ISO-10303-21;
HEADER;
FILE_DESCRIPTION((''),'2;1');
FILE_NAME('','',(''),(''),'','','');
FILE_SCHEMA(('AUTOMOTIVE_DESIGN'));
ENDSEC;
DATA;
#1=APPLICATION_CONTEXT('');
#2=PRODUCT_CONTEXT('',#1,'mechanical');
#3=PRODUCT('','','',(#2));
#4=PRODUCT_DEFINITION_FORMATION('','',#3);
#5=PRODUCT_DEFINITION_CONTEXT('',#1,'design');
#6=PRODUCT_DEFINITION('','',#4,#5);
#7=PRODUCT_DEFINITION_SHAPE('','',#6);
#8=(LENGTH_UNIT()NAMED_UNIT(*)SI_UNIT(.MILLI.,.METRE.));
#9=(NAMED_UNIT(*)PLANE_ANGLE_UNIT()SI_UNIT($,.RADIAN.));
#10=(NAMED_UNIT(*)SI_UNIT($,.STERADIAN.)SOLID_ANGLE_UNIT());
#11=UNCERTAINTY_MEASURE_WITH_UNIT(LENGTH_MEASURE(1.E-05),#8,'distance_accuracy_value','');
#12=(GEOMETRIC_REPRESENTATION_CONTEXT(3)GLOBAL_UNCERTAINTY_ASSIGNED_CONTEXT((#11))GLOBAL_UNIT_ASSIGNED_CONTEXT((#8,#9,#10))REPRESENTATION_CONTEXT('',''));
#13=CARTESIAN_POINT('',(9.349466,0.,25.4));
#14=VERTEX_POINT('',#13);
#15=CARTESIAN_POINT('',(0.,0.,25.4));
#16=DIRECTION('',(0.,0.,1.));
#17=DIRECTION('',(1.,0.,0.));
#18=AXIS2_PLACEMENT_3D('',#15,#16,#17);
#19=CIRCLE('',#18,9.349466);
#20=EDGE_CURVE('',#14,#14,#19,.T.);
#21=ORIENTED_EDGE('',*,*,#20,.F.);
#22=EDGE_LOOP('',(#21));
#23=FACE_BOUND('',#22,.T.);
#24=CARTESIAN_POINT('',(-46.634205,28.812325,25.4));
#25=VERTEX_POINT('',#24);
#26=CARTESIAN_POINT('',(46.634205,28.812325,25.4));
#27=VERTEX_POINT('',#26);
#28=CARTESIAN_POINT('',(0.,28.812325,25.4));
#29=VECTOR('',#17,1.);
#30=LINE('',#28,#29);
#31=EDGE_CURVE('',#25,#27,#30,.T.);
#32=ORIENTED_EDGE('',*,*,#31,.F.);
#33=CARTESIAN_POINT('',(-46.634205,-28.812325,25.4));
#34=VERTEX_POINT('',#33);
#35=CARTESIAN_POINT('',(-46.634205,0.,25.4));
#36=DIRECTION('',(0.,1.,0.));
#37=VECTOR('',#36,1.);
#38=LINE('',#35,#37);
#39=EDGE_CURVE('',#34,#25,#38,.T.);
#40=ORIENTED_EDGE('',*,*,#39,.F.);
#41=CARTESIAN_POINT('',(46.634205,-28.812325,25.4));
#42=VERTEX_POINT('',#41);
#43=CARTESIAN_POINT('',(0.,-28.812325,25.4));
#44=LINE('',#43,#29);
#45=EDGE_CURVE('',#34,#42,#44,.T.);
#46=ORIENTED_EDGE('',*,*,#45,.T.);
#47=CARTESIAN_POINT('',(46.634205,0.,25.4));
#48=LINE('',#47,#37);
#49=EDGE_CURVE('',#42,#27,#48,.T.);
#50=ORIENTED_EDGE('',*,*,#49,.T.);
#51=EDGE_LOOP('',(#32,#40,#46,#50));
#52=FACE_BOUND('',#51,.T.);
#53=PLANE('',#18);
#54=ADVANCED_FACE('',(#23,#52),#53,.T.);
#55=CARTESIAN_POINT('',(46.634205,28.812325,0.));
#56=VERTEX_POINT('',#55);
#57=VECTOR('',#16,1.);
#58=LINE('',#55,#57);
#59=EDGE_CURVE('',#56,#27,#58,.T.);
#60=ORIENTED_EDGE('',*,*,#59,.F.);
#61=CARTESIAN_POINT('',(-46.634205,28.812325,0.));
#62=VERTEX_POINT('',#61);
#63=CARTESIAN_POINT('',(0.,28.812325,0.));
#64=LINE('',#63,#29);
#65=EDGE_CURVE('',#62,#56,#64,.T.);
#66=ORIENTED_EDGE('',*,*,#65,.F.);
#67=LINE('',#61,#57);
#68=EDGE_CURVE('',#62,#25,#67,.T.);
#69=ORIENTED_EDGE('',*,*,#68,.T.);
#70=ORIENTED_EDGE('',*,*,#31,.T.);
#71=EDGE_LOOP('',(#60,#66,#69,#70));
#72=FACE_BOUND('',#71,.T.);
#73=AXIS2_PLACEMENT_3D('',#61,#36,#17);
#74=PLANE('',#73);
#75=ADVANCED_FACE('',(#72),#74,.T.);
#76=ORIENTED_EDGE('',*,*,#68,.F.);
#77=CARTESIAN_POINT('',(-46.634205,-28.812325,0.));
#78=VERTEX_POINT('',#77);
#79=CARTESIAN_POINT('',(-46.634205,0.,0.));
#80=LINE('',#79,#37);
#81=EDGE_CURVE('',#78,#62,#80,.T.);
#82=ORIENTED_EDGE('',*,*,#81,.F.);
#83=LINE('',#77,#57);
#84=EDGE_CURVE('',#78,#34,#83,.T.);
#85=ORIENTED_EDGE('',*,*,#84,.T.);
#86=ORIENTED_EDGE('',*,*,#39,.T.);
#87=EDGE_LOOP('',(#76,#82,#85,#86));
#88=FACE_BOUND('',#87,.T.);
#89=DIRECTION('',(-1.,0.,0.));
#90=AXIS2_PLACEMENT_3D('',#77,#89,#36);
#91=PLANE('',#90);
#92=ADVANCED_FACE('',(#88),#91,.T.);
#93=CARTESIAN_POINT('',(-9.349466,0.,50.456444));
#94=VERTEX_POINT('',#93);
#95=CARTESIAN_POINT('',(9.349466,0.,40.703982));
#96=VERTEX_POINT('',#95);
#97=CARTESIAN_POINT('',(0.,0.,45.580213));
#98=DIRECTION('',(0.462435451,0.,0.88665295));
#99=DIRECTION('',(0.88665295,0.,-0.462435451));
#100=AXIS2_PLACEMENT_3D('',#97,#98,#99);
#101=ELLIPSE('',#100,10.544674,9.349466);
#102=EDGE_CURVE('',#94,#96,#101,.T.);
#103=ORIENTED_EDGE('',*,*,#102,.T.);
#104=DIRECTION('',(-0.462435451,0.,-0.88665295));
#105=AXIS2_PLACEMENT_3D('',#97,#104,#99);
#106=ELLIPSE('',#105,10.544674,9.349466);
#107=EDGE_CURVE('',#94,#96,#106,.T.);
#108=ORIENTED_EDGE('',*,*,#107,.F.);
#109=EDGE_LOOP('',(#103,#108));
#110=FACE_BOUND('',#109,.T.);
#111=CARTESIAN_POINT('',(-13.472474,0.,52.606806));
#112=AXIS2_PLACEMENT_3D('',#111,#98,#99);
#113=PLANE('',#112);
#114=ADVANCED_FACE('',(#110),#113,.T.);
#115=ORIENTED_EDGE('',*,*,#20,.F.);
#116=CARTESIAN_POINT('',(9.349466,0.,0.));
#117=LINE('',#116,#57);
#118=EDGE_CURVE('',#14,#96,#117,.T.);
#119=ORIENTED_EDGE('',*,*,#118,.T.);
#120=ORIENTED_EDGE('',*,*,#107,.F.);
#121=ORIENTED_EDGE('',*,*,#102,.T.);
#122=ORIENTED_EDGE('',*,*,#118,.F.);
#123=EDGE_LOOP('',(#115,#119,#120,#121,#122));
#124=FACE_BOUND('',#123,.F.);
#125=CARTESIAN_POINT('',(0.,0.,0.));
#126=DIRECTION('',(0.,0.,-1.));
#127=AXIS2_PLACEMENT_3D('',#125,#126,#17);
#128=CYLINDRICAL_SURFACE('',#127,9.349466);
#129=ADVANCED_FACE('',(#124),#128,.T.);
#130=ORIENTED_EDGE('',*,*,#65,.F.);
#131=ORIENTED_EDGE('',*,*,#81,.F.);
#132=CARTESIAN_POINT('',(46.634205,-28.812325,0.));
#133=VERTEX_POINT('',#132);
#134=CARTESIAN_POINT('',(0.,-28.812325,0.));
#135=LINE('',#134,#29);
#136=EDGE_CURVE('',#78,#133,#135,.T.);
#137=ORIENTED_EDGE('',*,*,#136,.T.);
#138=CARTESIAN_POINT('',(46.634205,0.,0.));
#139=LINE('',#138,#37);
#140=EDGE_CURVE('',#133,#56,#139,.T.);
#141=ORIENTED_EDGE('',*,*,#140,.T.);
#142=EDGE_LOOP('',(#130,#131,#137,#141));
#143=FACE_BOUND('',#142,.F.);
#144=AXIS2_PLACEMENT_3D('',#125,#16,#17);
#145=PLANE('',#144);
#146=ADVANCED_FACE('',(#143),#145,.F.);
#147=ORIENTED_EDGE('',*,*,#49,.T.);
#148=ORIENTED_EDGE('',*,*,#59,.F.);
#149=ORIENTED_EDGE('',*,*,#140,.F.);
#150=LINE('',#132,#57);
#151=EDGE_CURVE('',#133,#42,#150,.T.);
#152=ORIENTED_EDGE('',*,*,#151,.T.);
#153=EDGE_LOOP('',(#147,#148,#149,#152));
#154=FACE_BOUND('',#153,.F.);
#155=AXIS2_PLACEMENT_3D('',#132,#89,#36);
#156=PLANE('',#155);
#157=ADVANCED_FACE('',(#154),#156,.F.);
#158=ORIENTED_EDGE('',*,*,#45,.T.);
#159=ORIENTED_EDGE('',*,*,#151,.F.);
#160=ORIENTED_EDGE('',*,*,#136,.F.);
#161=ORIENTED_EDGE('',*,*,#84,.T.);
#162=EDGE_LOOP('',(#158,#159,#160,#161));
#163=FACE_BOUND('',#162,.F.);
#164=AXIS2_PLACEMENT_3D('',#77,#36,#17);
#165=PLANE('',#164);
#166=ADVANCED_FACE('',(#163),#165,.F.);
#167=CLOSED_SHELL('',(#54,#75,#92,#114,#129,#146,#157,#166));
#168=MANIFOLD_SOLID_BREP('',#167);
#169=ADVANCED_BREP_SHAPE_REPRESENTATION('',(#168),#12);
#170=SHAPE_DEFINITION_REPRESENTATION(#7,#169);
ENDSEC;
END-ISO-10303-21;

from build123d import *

# Parameters (mm, degrees)
F0_R     = 9.349466
F1_DEPTH = 50.8
F0_W     = 93.26841
F0_H     = 57.62465
F2_DEPTH = 25.4
F4_DEPTH = 25.4
F5_DEPTH = 76.2


with BuildPart() as f1:
    # F0 (on Top) → F1 (new body)
    with BuildSketch(Plane.XY):
        Circle(F0_R)
    extrude(amount=F1_DEPTH)

    # F0 (on Top) → F2 (join)
    with BuildSketch(Plane.XY):
        Rectangle(F0_W, F0_H)
        Circle(F0_R, mode=Mode.SUBTRACT)
    extrude(amount=F2_DEPTH)

    # F3 (on Front) → F4 (cut)
    with BuildSketch(Plane.XZ):
        Polygon((29.052887, 52.606806), (-13.472474, 52.606806), (29.052887, 30.427627), align=None)
    extrude(amount=-F4_DEPTH, mode=Mode.SUBTRACT)

    # F3 (on Front) → F5 (cut)
    with BuildSketch(Plane.XZ):
        Polygon((29.052887, 52.606806), (-13.472474, 52.606806), (29.052887, 30.427627), align=None)
    extrude(amount=F5_DEPTH, mode=Mode.SUBTRACT)


solid = f1.part
